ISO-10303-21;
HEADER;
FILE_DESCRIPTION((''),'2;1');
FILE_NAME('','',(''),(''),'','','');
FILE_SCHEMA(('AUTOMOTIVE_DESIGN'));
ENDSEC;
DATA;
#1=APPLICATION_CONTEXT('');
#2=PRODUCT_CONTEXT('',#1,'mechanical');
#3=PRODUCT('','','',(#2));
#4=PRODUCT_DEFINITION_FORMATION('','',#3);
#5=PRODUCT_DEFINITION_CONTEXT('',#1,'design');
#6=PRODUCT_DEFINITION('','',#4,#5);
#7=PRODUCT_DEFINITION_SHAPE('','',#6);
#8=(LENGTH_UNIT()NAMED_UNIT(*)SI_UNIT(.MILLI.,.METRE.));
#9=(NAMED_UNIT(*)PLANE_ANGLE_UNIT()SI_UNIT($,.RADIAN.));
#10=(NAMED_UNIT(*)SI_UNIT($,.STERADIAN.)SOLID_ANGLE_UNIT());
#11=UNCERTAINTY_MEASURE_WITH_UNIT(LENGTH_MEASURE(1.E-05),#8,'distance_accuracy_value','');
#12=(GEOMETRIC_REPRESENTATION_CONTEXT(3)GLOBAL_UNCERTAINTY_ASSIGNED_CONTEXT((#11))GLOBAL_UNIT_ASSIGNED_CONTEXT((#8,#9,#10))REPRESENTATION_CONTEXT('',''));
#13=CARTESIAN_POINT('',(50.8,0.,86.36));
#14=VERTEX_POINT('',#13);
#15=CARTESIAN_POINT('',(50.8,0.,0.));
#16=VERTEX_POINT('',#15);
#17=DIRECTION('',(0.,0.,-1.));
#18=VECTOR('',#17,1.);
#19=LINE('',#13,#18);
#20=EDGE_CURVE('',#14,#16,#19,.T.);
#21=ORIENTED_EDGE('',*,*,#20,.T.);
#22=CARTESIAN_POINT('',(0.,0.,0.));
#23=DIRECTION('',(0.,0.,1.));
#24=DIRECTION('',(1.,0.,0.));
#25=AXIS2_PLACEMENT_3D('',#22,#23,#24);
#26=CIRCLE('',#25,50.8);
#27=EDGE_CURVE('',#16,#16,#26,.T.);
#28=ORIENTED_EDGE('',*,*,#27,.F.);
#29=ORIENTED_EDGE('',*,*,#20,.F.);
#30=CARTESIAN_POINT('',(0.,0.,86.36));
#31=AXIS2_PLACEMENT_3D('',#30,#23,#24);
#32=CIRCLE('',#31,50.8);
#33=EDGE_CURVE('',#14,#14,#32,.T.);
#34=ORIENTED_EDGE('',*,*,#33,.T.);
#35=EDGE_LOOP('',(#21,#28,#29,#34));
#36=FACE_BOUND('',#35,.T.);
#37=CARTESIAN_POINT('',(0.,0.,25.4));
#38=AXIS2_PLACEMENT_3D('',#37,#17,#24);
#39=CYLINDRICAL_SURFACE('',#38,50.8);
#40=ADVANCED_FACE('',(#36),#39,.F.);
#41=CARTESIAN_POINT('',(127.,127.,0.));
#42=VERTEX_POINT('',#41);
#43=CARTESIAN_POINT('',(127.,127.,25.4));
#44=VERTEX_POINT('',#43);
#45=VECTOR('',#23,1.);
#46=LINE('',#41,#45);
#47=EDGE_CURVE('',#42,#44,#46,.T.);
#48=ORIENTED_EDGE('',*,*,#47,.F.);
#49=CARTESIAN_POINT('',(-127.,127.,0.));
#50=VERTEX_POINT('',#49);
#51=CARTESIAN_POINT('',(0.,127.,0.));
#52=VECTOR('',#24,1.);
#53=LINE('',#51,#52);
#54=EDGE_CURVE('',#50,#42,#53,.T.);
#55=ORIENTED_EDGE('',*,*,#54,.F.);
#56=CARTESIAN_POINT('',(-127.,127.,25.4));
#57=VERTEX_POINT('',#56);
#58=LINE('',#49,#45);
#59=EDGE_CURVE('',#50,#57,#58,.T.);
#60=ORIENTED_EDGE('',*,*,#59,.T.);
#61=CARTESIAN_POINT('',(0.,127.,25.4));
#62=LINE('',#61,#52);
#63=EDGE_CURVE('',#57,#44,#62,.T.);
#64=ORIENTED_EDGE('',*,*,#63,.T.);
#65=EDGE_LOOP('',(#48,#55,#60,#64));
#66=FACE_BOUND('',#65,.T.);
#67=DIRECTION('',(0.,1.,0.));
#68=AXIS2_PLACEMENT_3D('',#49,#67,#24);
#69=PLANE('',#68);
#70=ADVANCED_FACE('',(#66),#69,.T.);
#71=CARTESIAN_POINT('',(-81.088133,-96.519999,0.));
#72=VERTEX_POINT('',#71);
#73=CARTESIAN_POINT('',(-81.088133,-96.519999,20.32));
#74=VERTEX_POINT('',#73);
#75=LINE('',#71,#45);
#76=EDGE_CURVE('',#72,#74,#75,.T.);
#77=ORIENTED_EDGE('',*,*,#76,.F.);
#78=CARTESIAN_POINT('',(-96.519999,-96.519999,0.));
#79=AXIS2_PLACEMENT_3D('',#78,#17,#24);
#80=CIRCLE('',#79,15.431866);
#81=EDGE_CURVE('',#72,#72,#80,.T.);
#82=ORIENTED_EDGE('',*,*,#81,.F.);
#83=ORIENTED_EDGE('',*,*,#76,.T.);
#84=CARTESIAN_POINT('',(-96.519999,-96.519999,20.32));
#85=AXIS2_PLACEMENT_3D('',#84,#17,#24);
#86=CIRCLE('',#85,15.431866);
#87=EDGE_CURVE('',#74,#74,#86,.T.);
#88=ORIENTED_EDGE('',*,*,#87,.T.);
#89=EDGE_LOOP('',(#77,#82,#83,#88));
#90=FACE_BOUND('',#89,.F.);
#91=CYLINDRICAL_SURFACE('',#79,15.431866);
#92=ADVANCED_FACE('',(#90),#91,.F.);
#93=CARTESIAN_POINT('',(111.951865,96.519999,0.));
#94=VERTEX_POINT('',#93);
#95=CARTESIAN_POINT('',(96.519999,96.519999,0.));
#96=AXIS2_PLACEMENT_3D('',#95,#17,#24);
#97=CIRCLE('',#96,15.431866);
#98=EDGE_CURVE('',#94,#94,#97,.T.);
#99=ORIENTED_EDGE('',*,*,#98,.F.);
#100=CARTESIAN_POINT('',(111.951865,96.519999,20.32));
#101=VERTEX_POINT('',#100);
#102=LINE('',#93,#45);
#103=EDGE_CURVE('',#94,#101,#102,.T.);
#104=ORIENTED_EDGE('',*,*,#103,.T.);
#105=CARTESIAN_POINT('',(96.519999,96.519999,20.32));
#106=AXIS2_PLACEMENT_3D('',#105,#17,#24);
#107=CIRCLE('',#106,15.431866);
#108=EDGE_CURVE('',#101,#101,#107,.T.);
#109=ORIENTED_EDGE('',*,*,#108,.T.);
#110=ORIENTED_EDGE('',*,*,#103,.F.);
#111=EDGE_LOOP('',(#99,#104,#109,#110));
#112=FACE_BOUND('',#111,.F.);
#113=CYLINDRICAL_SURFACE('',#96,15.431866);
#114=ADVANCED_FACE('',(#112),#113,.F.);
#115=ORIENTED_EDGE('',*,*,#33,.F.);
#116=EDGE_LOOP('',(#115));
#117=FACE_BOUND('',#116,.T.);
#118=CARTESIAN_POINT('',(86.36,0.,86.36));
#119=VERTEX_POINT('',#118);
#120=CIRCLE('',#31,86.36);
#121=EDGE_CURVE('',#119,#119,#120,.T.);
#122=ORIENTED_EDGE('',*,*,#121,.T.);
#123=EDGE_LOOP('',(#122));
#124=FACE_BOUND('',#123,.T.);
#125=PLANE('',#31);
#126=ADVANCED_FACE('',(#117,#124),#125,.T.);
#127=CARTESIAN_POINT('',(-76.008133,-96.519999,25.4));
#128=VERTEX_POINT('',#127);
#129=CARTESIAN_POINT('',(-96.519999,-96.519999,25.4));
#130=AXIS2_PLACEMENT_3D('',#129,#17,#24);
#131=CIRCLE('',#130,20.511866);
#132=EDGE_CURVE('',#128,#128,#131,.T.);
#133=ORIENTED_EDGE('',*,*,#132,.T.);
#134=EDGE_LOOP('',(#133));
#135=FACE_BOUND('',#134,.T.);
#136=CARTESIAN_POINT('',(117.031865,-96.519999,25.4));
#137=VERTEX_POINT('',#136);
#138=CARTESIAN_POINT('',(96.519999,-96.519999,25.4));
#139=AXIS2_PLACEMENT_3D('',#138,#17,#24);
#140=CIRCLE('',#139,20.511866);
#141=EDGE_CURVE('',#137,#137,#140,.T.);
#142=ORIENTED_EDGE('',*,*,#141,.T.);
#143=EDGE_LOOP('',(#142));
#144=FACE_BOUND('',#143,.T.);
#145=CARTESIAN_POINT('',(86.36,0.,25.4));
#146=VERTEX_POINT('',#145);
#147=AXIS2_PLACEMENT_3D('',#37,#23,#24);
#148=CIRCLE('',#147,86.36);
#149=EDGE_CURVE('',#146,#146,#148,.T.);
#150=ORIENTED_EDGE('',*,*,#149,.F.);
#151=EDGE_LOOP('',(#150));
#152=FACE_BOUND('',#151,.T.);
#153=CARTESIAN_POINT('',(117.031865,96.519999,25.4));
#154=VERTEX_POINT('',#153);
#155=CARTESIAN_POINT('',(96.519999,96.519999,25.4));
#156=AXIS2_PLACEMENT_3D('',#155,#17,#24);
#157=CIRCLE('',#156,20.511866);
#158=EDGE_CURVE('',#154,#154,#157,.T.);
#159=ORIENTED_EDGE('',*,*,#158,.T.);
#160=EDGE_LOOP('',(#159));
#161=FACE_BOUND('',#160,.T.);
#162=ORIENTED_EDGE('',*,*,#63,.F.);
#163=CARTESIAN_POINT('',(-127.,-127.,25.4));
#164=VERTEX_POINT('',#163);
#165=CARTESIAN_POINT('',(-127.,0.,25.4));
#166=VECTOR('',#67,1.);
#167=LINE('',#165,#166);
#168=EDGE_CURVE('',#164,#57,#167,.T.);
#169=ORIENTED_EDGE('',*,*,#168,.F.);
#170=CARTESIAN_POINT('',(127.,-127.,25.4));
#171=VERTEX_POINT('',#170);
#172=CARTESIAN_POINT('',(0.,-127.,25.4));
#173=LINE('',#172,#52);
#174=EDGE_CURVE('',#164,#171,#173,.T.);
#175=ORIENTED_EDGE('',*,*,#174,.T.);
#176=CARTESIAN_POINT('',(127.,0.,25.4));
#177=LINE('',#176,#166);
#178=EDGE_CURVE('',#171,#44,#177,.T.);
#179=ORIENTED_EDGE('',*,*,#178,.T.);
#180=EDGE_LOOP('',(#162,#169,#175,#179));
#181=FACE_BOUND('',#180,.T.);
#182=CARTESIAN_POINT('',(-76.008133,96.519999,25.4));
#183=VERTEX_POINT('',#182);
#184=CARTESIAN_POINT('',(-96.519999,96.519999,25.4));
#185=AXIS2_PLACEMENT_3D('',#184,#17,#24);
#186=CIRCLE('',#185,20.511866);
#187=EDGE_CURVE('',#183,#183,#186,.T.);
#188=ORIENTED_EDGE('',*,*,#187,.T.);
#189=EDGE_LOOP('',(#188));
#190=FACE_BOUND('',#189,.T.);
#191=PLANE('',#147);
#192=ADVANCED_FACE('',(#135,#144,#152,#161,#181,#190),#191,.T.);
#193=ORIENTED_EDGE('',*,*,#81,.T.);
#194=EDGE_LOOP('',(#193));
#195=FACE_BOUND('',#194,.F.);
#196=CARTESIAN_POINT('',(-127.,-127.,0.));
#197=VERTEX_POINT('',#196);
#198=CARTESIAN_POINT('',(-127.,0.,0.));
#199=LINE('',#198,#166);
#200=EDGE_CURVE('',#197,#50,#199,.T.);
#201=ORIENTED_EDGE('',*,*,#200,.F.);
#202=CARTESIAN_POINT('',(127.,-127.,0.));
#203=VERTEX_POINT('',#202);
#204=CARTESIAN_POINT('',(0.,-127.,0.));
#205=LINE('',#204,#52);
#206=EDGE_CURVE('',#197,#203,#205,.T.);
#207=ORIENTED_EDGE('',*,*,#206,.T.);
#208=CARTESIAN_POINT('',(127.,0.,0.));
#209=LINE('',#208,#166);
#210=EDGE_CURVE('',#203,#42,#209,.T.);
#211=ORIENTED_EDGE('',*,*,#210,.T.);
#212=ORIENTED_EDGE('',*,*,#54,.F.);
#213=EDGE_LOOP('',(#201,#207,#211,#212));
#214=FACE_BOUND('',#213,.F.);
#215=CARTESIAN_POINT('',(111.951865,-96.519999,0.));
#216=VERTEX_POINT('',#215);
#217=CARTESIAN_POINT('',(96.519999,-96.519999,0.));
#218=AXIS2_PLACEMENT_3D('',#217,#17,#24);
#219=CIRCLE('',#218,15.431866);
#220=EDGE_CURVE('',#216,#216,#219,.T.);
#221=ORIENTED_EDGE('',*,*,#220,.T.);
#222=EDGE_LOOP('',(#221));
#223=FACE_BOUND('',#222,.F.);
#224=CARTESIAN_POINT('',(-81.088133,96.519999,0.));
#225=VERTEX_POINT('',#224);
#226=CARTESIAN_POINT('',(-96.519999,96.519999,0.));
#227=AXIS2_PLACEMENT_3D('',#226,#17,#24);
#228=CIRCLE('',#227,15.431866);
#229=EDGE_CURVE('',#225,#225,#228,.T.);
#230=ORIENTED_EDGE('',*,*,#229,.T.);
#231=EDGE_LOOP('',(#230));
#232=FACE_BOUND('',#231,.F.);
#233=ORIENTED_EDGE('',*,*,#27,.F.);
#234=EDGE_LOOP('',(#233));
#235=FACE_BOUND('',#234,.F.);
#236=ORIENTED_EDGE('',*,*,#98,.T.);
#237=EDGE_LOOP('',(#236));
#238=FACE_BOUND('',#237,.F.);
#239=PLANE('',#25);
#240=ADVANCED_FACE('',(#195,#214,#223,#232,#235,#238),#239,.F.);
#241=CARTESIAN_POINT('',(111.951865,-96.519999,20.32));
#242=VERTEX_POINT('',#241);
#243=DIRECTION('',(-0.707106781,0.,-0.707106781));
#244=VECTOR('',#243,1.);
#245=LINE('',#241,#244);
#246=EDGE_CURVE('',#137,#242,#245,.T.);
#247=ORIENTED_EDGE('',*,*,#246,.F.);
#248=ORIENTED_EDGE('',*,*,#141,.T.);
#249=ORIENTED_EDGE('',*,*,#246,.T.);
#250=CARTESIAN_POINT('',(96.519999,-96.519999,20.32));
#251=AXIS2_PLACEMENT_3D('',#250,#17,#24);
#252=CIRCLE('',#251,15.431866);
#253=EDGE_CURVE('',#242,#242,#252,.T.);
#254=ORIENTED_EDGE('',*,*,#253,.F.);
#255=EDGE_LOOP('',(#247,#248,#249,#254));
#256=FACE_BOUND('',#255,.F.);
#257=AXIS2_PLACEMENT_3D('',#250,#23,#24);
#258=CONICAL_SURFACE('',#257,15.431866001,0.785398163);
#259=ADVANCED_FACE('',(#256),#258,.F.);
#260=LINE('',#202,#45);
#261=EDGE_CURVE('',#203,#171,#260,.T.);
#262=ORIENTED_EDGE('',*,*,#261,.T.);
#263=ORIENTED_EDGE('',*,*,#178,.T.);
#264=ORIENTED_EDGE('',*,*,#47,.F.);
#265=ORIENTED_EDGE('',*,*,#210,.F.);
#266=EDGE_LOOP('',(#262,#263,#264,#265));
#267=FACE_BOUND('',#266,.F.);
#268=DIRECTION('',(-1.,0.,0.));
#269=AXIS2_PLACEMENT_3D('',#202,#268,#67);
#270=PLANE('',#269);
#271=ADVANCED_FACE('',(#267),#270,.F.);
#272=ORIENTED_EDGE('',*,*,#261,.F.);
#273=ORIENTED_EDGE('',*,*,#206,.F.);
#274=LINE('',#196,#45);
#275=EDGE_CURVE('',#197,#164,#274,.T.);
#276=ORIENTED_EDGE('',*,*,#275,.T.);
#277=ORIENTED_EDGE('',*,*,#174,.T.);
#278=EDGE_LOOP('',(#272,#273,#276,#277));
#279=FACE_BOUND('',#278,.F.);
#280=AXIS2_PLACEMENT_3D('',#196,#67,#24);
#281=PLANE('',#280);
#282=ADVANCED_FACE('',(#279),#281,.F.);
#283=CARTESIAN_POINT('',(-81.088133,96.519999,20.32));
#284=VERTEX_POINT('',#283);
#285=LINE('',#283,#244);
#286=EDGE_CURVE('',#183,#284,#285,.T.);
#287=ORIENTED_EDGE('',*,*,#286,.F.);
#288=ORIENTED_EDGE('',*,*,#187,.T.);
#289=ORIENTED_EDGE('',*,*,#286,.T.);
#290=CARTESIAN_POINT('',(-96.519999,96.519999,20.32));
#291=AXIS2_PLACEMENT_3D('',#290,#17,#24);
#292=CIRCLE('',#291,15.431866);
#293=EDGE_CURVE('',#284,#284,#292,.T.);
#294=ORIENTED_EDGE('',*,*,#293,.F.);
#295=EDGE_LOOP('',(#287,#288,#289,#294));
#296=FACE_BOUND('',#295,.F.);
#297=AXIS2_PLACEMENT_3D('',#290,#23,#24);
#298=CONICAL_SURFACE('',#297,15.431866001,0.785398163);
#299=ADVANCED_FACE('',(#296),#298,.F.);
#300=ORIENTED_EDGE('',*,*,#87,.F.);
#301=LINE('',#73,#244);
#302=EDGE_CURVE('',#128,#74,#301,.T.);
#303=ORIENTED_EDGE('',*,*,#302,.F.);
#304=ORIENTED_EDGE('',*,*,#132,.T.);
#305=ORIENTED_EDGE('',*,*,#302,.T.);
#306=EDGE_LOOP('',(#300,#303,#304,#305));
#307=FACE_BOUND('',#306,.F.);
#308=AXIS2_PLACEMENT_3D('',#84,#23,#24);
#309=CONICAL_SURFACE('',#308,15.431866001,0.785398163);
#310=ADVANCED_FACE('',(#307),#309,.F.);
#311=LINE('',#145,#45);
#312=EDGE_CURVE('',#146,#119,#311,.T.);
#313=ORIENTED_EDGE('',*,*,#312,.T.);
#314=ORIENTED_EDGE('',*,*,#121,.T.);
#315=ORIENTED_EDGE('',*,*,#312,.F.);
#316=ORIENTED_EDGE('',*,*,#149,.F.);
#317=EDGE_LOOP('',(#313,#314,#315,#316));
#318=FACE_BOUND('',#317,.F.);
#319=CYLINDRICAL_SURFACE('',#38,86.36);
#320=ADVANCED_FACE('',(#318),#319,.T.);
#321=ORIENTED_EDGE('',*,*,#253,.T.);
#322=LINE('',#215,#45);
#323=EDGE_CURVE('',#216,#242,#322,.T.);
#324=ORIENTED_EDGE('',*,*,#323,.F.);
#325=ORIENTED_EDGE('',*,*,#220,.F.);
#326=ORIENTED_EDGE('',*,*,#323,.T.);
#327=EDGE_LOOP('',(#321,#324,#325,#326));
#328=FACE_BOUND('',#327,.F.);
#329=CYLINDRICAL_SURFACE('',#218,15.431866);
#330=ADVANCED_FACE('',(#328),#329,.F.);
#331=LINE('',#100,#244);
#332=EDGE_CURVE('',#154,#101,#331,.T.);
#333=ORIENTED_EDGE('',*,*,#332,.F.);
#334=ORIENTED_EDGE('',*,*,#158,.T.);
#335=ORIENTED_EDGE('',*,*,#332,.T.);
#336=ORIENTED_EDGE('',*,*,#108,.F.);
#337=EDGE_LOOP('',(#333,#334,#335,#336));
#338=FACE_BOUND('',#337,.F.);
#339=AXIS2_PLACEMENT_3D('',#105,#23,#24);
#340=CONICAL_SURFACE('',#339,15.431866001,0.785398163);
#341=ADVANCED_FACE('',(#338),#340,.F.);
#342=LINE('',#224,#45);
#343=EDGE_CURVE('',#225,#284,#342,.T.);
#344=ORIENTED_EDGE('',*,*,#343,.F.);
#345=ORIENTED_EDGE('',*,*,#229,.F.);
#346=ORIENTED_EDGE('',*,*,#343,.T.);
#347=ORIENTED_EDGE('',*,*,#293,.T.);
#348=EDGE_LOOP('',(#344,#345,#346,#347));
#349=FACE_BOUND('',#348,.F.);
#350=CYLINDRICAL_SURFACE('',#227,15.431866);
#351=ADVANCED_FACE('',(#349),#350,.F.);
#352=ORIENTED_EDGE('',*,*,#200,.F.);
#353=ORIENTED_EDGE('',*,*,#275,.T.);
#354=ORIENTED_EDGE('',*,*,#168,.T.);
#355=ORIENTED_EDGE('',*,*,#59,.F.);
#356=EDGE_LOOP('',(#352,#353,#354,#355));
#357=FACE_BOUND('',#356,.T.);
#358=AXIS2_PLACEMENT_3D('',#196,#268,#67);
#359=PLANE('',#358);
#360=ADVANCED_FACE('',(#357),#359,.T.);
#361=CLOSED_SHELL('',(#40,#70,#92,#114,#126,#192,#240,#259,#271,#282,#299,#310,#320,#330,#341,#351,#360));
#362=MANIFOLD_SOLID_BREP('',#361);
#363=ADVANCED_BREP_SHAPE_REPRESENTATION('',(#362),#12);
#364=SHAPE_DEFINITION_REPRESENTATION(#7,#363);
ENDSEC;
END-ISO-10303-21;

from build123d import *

# Parameters (mm, degrees)
F0_W     = 254
F0_H     = 254
F0_R     = 50.8
F1_DEPTH = 25.4
F2_R     = 86.3600000739
F2_R_2   = 50.8
F3_DEPTH = 60.96
F4_R     = 15.431866001
F5_DEPTH = 162.56
F6_SIZE  = 5.08


with BuildPart() as f1:
    # F0 (on Top) → F1 (new body)
    with BuildSketch(Plane.XY):
        Rectangle(F0_W, F0_H)
        Circle(F0_R, mode=Mode.SUBTRACT)
    extrude(amount=F1_DEPTH)

    # F2 (on face) → F3 (join)
    with BuildSketch(Plane.XY.offset(25.4)):
        Circle(F2_R)
        Circle(F2_R_2, mode=Mode.SUBTRACT)
    extrude(amount=F3_DEPTH)

    # F4 (on face) → F5 (cut)
    with BuildSketch(Plane(origin=(0, 0, 0), x_dir=(1, 0, 0), z_dir=(0, 0, -1))):
        with Locations((-96.5199992061, -96.5199992061)):
            Circle(F4_R)
        with Locations((96.5199992061, -96.5199992061)):
            Circle(F4_R)
        with Locations((96.5199992061, 96.5199992061)):
            Circle(F4_R)
        with Locations((-96.5199992061, 96.5199992061)):
            Circle(F4_R)
    extrude(amount=-F5_DEPTH, mode=Mode.SUBTRACT)

    # F6
    f6_edges = [f1.edges().sort_by_distance(p)[0] for p in [
        (-111.951865, 96.519999, 25.4),
        (81.088133, 96.519999, 25.4),
        (81.088133, -96.519999, 25.4),
        (-111.951865, -96.519999, 25.4),
    ]]
    chamfer(f6_edges, length=F6_SIZE)


solid = f1.part
